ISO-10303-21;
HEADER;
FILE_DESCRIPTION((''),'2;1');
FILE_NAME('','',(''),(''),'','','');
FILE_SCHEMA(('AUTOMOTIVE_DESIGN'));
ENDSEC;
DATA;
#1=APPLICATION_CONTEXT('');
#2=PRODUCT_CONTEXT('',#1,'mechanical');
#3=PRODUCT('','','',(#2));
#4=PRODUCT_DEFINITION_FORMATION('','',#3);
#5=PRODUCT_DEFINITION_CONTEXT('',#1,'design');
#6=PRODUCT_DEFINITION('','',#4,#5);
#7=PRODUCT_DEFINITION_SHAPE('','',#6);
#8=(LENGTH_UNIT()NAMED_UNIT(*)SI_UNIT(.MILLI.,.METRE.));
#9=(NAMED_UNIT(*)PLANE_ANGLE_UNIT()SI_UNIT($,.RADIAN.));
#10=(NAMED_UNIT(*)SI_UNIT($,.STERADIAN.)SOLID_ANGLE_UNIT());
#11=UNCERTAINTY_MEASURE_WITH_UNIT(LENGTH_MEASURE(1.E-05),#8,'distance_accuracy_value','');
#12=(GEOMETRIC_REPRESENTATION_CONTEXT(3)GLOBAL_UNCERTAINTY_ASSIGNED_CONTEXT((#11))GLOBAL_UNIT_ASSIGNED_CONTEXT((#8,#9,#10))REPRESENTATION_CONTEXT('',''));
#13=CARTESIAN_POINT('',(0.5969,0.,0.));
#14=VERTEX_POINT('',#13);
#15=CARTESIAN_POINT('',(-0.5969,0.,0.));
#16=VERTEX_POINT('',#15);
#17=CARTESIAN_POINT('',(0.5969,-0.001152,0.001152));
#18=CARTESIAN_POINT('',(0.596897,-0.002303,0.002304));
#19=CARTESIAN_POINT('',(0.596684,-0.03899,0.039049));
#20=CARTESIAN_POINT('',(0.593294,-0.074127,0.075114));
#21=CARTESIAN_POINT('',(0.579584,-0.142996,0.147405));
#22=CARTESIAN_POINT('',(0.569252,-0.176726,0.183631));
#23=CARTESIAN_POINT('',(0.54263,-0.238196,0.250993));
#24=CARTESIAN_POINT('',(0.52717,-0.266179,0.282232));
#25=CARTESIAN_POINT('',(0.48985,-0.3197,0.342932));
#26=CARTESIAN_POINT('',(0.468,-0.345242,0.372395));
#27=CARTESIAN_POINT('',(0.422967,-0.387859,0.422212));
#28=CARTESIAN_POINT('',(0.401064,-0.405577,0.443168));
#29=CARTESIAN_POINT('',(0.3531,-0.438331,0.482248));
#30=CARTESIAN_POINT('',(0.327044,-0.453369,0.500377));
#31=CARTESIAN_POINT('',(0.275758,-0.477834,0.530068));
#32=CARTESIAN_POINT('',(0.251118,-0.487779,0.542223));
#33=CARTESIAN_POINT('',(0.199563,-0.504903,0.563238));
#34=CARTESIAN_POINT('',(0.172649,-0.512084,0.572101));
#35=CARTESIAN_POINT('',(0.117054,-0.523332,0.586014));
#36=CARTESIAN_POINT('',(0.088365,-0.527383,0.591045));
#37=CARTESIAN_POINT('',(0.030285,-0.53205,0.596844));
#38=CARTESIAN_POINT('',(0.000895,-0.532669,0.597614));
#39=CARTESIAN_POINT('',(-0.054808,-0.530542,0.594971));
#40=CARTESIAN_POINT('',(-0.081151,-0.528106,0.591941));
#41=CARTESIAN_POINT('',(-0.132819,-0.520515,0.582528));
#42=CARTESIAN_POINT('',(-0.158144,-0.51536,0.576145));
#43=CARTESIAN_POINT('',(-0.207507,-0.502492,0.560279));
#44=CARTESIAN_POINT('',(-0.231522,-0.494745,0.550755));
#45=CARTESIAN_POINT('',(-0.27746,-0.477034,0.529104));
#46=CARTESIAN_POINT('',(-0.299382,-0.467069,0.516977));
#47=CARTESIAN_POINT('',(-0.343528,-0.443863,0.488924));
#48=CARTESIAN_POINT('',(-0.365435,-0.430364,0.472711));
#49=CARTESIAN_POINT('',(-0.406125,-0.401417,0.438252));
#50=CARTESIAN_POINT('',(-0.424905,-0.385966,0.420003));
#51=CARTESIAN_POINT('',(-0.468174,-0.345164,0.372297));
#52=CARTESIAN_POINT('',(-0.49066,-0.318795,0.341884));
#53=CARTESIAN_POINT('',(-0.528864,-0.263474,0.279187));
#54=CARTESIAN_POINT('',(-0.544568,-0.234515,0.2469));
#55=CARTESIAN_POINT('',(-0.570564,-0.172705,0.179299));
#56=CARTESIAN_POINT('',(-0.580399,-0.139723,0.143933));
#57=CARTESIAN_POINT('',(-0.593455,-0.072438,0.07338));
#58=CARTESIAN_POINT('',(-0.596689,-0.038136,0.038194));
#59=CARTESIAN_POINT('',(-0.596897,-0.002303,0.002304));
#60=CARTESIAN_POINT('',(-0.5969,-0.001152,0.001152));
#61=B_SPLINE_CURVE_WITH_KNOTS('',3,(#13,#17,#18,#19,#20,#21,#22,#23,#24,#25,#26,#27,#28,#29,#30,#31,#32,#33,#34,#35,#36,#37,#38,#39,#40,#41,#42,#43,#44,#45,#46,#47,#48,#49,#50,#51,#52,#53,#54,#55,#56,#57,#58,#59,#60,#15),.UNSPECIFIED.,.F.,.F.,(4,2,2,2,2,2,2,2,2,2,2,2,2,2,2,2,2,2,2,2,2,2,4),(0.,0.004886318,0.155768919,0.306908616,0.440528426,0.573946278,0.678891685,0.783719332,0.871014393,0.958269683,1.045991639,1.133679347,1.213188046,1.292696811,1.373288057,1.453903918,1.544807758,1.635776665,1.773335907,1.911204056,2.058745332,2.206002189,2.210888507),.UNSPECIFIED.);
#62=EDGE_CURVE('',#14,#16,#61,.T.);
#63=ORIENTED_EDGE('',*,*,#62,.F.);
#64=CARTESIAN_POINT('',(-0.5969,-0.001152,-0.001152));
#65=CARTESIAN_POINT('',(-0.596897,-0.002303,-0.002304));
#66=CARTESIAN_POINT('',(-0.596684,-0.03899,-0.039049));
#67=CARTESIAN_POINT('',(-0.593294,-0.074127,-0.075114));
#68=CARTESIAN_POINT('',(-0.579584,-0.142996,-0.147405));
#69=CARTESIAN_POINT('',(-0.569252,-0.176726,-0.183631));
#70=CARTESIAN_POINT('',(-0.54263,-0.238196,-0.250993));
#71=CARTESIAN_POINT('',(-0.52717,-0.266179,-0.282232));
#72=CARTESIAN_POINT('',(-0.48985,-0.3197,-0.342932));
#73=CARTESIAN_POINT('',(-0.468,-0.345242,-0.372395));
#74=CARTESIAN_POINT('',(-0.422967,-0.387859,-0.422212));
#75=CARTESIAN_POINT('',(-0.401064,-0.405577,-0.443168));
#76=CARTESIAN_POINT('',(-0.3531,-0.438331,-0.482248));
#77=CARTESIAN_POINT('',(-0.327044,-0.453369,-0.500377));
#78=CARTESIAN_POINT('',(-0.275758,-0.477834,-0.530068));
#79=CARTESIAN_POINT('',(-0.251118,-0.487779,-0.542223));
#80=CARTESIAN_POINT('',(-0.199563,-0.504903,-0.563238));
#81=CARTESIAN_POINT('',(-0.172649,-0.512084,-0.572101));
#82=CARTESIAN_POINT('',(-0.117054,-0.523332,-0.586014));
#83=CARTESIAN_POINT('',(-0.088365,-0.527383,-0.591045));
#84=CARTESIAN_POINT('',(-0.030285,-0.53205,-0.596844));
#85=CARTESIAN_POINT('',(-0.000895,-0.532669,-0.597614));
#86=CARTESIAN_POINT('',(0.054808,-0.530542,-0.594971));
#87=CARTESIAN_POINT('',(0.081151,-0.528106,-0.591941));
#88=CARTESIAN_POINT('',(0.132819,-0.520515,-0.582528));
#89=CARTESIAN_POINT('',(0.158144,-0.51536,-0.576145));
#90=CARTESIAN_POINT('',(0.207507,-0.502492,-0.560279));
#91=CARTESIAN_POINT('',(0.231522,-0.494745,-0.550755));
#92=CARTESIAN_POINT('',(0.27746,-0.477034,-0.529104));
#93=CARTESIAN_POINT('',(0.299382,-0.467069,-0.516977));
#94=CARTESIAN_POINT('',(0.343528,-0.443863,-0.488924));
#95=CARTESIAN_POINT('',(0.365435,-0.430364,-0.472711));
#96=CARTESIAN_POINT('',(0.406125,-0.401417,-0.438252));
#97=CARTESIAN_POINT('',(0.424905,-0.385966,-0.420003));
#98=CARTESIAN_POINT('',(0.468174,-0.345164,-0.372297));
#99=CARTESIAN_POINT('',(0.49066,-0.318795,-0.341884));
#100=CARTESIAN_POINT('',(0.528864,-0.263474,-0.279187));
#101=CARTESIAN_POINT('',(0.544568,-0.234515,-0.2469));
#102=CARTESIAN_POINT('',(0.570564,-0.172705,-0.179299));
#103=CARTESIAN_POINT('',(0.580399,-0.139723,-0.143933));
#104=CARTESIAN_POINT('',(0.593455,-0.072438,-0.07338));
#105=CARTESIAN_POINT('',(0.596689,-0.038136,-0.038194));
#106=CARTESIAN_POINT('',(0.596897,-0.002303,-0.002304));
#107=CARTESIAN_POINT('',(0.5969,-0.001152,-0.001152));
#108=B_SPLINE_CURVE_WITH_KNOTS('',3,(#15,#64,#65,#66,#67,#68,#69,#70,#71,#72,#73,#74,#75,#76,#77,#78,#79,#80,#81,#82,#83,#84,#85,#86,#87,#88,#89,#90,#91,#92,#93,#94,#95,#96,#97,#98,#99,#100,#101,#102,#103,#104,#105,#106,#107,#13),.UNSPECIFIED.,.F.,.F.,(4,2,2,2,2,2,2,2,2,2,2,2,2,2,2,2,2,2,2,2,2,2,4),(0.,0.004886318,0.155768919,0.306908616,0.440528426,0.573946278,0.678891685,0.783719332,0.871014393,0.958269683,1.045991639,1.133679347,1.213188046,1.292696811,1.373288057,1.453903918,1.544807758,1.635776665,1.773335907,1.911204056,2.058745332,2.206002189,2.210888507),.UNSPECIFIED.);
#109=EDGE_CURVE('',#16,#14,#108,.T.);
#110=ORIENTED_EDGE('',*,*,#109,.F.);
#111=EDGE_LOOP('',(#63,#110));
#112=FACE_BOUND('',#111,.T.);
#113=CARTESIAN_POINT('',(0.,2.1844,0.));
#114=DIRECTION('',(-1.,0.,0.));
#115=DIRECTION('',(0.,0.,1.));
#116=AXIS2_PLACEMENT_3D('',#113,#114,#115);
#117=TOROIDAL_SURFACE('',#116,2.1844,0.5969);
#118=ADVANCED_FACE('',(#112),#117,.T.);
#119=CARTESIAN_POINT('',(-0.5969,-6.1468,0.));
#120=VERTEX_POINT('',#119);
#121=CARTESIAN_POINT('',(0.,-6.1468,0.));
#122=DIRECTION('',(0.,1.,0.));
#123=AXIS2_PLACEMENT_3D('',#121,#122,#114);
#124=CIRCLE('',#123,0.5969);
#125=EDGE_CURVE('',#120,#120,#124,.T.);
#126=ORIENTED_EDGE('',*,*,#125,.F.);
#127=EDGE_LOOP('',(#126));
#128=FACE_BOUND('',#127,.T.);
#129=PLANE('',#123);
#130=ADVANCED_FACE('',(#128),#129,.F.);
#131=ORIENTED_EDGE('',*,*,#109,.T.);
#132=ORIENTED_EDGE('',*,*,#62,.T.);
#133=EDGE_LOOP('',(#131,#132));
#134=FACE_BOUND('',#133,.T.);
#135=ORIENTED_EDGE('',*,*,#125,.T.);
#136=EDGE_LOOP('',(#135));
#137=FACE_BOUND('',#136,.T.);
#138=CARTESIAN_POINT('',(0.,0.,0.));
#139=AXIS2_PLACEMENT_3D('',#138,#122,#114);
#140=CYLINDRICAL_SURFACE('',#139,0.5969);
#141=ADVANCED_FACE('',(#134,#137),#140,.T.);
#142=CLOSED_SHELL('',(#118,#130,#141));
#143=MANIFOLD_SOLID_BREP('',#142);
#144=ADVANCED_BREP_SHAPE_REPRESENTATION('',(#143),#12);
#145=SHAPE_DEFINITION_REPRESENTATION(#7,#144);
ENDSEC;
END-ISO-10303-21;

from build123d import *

# Parameters (mm, degrees)
SKETCH1_R = 0.5969


with BuildPart() as part:
    # Sketch1 → Revolve5 (revolve)
    with BuildSketch(Plane.XY):
        Circle(SKETCH1_R)
    revolve(axis=Axis((0, 2.1844, 0), (1, 0, 0)))

    # Sketch1<9> → Revolve6 (revolve)
    with BuildSketch(Plane.XY):
        with BuildLine():
            Line((0.5969, -6.1468), (0.5969, 0))
            ThreePointArc((0.5969, 0), (0.422072038, -0.422072038), (0, -0.5969))
            Line((0, -0.5969), (0, -6.1468))
            Line((0, -6.1468), (0.5969, -6.1468))
        make_face()
    revolve(axis=Axis((0, 0, 0), (0, -1, 0)))


solid = part.part
